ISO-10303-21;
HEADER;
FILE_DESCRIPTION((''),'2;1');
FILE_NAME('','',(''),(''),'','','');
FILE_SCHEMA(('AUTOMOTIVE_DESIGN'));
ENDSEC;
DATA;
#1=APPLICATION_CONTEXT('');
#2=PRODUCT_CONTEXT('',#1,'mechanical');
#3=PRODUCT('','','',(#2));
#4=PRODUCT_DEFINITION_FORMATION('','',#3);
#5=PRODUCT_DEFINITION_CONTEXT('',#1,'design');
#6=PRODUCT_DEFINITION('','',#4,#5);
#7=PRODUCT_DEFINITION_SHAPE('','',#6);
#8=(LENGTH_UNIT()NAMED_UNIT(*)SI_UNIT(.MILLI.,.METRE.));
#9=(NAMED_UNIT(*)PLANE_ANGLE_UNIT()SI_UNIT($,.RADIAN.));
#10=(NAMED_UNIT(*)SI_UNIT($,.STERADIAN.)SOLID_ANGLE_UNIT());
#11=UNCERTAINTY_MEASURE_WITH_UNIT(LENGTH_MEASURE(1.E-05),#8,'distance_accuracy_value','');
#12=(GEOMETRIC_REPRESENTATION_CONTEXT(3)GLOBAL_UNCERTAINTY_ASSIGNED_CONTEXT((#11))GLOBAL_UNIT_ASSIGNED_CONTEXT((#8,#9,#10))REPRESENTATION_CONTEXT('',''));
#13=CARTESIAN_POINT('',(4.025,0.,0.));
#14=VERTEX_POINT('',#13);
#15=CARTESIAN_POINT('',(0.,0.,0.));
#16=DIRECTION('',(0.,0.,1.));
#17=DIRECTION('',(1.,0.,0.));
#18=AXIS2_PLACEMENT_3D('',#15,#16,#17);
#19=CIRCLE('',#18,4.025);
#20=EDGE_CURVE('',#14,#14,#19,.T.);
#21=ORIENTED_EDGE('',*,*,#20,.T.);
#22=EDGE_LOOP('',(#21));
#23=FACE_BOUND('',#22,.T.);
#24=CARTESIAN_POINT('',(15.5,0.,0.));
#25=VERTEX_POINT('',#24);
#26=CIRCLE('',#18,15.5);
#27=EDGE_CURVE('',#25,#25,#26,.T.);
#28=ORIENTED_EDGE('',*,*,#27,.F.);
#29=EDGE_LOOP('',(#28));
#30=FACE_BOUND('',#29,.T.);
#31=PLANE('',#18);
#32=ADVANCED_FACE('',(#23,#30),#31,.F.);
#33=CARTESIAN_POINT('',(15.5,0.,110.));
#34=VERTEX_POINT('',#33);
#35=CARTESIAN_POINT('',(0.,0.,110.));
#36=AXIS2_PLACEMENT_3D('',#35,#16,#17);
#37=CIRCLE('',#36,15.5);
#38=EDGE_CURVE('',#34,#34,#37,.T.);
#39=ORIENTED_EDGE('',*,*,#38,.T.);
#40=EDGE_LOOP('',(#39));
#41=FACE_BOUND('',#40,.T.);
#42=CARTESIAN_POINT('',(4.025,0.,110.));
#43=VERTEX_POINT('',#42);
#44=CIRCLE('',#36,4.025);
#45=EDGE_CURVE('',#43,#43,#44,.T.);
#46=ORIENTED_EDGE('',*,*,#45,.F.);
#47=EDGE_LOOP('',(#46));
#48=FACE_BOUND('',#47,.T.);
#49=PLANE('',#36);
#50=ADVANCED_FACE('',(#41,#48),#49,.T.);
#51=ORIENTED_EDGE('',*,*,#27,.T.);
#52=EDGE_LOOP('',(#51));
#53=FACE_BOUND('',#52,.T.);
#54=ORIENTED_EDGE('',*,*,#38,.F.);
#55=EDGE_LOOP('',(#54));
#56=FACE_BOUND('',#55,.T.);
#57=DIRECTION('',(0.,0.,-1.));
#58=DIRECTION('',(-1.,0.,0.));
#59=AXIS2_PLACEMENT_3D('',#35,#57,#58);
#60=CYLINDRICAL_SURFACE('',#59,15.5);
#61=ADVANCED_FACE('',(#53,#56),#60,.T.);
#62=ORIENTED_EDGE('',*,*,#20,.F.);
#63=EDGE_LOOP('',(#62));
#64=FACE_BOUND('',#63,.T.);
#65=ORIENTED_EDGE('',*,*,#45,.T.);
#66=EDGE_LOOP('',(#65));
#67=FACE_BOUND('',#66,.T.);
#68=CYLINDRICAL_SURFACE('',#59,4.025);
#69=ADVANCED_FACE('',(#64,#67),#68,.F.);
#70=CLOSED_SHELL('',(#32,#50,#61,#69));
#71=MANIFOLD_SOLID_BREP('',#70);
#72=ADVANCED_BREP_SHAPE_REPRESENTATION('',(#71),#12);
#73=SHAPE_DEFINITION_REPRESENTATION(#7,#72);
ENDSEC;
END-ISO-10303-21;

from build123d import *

# Parameters (mm, degrees)
SKIZZE1_R                       = 15.5
SKIZZE1_R_2                     = 4.025
AUFSATZ_LINEAR_AUSTRAGEN1_DEPTH = 110


with BuildPart() as part:
    # Skizze1 → Aufsatz-Linear austragen1 (new body)
    with BuildSketch(Plane.XY):
        Circle(SKIZZE1_R)
        Circle(SKIZZE1_R_2, mode=Mode.SUBTRACT)
    extrude(amount=AUFSATZ_LINEAR_AUSTRAGEN1_DEPTH)


solid = part.part
